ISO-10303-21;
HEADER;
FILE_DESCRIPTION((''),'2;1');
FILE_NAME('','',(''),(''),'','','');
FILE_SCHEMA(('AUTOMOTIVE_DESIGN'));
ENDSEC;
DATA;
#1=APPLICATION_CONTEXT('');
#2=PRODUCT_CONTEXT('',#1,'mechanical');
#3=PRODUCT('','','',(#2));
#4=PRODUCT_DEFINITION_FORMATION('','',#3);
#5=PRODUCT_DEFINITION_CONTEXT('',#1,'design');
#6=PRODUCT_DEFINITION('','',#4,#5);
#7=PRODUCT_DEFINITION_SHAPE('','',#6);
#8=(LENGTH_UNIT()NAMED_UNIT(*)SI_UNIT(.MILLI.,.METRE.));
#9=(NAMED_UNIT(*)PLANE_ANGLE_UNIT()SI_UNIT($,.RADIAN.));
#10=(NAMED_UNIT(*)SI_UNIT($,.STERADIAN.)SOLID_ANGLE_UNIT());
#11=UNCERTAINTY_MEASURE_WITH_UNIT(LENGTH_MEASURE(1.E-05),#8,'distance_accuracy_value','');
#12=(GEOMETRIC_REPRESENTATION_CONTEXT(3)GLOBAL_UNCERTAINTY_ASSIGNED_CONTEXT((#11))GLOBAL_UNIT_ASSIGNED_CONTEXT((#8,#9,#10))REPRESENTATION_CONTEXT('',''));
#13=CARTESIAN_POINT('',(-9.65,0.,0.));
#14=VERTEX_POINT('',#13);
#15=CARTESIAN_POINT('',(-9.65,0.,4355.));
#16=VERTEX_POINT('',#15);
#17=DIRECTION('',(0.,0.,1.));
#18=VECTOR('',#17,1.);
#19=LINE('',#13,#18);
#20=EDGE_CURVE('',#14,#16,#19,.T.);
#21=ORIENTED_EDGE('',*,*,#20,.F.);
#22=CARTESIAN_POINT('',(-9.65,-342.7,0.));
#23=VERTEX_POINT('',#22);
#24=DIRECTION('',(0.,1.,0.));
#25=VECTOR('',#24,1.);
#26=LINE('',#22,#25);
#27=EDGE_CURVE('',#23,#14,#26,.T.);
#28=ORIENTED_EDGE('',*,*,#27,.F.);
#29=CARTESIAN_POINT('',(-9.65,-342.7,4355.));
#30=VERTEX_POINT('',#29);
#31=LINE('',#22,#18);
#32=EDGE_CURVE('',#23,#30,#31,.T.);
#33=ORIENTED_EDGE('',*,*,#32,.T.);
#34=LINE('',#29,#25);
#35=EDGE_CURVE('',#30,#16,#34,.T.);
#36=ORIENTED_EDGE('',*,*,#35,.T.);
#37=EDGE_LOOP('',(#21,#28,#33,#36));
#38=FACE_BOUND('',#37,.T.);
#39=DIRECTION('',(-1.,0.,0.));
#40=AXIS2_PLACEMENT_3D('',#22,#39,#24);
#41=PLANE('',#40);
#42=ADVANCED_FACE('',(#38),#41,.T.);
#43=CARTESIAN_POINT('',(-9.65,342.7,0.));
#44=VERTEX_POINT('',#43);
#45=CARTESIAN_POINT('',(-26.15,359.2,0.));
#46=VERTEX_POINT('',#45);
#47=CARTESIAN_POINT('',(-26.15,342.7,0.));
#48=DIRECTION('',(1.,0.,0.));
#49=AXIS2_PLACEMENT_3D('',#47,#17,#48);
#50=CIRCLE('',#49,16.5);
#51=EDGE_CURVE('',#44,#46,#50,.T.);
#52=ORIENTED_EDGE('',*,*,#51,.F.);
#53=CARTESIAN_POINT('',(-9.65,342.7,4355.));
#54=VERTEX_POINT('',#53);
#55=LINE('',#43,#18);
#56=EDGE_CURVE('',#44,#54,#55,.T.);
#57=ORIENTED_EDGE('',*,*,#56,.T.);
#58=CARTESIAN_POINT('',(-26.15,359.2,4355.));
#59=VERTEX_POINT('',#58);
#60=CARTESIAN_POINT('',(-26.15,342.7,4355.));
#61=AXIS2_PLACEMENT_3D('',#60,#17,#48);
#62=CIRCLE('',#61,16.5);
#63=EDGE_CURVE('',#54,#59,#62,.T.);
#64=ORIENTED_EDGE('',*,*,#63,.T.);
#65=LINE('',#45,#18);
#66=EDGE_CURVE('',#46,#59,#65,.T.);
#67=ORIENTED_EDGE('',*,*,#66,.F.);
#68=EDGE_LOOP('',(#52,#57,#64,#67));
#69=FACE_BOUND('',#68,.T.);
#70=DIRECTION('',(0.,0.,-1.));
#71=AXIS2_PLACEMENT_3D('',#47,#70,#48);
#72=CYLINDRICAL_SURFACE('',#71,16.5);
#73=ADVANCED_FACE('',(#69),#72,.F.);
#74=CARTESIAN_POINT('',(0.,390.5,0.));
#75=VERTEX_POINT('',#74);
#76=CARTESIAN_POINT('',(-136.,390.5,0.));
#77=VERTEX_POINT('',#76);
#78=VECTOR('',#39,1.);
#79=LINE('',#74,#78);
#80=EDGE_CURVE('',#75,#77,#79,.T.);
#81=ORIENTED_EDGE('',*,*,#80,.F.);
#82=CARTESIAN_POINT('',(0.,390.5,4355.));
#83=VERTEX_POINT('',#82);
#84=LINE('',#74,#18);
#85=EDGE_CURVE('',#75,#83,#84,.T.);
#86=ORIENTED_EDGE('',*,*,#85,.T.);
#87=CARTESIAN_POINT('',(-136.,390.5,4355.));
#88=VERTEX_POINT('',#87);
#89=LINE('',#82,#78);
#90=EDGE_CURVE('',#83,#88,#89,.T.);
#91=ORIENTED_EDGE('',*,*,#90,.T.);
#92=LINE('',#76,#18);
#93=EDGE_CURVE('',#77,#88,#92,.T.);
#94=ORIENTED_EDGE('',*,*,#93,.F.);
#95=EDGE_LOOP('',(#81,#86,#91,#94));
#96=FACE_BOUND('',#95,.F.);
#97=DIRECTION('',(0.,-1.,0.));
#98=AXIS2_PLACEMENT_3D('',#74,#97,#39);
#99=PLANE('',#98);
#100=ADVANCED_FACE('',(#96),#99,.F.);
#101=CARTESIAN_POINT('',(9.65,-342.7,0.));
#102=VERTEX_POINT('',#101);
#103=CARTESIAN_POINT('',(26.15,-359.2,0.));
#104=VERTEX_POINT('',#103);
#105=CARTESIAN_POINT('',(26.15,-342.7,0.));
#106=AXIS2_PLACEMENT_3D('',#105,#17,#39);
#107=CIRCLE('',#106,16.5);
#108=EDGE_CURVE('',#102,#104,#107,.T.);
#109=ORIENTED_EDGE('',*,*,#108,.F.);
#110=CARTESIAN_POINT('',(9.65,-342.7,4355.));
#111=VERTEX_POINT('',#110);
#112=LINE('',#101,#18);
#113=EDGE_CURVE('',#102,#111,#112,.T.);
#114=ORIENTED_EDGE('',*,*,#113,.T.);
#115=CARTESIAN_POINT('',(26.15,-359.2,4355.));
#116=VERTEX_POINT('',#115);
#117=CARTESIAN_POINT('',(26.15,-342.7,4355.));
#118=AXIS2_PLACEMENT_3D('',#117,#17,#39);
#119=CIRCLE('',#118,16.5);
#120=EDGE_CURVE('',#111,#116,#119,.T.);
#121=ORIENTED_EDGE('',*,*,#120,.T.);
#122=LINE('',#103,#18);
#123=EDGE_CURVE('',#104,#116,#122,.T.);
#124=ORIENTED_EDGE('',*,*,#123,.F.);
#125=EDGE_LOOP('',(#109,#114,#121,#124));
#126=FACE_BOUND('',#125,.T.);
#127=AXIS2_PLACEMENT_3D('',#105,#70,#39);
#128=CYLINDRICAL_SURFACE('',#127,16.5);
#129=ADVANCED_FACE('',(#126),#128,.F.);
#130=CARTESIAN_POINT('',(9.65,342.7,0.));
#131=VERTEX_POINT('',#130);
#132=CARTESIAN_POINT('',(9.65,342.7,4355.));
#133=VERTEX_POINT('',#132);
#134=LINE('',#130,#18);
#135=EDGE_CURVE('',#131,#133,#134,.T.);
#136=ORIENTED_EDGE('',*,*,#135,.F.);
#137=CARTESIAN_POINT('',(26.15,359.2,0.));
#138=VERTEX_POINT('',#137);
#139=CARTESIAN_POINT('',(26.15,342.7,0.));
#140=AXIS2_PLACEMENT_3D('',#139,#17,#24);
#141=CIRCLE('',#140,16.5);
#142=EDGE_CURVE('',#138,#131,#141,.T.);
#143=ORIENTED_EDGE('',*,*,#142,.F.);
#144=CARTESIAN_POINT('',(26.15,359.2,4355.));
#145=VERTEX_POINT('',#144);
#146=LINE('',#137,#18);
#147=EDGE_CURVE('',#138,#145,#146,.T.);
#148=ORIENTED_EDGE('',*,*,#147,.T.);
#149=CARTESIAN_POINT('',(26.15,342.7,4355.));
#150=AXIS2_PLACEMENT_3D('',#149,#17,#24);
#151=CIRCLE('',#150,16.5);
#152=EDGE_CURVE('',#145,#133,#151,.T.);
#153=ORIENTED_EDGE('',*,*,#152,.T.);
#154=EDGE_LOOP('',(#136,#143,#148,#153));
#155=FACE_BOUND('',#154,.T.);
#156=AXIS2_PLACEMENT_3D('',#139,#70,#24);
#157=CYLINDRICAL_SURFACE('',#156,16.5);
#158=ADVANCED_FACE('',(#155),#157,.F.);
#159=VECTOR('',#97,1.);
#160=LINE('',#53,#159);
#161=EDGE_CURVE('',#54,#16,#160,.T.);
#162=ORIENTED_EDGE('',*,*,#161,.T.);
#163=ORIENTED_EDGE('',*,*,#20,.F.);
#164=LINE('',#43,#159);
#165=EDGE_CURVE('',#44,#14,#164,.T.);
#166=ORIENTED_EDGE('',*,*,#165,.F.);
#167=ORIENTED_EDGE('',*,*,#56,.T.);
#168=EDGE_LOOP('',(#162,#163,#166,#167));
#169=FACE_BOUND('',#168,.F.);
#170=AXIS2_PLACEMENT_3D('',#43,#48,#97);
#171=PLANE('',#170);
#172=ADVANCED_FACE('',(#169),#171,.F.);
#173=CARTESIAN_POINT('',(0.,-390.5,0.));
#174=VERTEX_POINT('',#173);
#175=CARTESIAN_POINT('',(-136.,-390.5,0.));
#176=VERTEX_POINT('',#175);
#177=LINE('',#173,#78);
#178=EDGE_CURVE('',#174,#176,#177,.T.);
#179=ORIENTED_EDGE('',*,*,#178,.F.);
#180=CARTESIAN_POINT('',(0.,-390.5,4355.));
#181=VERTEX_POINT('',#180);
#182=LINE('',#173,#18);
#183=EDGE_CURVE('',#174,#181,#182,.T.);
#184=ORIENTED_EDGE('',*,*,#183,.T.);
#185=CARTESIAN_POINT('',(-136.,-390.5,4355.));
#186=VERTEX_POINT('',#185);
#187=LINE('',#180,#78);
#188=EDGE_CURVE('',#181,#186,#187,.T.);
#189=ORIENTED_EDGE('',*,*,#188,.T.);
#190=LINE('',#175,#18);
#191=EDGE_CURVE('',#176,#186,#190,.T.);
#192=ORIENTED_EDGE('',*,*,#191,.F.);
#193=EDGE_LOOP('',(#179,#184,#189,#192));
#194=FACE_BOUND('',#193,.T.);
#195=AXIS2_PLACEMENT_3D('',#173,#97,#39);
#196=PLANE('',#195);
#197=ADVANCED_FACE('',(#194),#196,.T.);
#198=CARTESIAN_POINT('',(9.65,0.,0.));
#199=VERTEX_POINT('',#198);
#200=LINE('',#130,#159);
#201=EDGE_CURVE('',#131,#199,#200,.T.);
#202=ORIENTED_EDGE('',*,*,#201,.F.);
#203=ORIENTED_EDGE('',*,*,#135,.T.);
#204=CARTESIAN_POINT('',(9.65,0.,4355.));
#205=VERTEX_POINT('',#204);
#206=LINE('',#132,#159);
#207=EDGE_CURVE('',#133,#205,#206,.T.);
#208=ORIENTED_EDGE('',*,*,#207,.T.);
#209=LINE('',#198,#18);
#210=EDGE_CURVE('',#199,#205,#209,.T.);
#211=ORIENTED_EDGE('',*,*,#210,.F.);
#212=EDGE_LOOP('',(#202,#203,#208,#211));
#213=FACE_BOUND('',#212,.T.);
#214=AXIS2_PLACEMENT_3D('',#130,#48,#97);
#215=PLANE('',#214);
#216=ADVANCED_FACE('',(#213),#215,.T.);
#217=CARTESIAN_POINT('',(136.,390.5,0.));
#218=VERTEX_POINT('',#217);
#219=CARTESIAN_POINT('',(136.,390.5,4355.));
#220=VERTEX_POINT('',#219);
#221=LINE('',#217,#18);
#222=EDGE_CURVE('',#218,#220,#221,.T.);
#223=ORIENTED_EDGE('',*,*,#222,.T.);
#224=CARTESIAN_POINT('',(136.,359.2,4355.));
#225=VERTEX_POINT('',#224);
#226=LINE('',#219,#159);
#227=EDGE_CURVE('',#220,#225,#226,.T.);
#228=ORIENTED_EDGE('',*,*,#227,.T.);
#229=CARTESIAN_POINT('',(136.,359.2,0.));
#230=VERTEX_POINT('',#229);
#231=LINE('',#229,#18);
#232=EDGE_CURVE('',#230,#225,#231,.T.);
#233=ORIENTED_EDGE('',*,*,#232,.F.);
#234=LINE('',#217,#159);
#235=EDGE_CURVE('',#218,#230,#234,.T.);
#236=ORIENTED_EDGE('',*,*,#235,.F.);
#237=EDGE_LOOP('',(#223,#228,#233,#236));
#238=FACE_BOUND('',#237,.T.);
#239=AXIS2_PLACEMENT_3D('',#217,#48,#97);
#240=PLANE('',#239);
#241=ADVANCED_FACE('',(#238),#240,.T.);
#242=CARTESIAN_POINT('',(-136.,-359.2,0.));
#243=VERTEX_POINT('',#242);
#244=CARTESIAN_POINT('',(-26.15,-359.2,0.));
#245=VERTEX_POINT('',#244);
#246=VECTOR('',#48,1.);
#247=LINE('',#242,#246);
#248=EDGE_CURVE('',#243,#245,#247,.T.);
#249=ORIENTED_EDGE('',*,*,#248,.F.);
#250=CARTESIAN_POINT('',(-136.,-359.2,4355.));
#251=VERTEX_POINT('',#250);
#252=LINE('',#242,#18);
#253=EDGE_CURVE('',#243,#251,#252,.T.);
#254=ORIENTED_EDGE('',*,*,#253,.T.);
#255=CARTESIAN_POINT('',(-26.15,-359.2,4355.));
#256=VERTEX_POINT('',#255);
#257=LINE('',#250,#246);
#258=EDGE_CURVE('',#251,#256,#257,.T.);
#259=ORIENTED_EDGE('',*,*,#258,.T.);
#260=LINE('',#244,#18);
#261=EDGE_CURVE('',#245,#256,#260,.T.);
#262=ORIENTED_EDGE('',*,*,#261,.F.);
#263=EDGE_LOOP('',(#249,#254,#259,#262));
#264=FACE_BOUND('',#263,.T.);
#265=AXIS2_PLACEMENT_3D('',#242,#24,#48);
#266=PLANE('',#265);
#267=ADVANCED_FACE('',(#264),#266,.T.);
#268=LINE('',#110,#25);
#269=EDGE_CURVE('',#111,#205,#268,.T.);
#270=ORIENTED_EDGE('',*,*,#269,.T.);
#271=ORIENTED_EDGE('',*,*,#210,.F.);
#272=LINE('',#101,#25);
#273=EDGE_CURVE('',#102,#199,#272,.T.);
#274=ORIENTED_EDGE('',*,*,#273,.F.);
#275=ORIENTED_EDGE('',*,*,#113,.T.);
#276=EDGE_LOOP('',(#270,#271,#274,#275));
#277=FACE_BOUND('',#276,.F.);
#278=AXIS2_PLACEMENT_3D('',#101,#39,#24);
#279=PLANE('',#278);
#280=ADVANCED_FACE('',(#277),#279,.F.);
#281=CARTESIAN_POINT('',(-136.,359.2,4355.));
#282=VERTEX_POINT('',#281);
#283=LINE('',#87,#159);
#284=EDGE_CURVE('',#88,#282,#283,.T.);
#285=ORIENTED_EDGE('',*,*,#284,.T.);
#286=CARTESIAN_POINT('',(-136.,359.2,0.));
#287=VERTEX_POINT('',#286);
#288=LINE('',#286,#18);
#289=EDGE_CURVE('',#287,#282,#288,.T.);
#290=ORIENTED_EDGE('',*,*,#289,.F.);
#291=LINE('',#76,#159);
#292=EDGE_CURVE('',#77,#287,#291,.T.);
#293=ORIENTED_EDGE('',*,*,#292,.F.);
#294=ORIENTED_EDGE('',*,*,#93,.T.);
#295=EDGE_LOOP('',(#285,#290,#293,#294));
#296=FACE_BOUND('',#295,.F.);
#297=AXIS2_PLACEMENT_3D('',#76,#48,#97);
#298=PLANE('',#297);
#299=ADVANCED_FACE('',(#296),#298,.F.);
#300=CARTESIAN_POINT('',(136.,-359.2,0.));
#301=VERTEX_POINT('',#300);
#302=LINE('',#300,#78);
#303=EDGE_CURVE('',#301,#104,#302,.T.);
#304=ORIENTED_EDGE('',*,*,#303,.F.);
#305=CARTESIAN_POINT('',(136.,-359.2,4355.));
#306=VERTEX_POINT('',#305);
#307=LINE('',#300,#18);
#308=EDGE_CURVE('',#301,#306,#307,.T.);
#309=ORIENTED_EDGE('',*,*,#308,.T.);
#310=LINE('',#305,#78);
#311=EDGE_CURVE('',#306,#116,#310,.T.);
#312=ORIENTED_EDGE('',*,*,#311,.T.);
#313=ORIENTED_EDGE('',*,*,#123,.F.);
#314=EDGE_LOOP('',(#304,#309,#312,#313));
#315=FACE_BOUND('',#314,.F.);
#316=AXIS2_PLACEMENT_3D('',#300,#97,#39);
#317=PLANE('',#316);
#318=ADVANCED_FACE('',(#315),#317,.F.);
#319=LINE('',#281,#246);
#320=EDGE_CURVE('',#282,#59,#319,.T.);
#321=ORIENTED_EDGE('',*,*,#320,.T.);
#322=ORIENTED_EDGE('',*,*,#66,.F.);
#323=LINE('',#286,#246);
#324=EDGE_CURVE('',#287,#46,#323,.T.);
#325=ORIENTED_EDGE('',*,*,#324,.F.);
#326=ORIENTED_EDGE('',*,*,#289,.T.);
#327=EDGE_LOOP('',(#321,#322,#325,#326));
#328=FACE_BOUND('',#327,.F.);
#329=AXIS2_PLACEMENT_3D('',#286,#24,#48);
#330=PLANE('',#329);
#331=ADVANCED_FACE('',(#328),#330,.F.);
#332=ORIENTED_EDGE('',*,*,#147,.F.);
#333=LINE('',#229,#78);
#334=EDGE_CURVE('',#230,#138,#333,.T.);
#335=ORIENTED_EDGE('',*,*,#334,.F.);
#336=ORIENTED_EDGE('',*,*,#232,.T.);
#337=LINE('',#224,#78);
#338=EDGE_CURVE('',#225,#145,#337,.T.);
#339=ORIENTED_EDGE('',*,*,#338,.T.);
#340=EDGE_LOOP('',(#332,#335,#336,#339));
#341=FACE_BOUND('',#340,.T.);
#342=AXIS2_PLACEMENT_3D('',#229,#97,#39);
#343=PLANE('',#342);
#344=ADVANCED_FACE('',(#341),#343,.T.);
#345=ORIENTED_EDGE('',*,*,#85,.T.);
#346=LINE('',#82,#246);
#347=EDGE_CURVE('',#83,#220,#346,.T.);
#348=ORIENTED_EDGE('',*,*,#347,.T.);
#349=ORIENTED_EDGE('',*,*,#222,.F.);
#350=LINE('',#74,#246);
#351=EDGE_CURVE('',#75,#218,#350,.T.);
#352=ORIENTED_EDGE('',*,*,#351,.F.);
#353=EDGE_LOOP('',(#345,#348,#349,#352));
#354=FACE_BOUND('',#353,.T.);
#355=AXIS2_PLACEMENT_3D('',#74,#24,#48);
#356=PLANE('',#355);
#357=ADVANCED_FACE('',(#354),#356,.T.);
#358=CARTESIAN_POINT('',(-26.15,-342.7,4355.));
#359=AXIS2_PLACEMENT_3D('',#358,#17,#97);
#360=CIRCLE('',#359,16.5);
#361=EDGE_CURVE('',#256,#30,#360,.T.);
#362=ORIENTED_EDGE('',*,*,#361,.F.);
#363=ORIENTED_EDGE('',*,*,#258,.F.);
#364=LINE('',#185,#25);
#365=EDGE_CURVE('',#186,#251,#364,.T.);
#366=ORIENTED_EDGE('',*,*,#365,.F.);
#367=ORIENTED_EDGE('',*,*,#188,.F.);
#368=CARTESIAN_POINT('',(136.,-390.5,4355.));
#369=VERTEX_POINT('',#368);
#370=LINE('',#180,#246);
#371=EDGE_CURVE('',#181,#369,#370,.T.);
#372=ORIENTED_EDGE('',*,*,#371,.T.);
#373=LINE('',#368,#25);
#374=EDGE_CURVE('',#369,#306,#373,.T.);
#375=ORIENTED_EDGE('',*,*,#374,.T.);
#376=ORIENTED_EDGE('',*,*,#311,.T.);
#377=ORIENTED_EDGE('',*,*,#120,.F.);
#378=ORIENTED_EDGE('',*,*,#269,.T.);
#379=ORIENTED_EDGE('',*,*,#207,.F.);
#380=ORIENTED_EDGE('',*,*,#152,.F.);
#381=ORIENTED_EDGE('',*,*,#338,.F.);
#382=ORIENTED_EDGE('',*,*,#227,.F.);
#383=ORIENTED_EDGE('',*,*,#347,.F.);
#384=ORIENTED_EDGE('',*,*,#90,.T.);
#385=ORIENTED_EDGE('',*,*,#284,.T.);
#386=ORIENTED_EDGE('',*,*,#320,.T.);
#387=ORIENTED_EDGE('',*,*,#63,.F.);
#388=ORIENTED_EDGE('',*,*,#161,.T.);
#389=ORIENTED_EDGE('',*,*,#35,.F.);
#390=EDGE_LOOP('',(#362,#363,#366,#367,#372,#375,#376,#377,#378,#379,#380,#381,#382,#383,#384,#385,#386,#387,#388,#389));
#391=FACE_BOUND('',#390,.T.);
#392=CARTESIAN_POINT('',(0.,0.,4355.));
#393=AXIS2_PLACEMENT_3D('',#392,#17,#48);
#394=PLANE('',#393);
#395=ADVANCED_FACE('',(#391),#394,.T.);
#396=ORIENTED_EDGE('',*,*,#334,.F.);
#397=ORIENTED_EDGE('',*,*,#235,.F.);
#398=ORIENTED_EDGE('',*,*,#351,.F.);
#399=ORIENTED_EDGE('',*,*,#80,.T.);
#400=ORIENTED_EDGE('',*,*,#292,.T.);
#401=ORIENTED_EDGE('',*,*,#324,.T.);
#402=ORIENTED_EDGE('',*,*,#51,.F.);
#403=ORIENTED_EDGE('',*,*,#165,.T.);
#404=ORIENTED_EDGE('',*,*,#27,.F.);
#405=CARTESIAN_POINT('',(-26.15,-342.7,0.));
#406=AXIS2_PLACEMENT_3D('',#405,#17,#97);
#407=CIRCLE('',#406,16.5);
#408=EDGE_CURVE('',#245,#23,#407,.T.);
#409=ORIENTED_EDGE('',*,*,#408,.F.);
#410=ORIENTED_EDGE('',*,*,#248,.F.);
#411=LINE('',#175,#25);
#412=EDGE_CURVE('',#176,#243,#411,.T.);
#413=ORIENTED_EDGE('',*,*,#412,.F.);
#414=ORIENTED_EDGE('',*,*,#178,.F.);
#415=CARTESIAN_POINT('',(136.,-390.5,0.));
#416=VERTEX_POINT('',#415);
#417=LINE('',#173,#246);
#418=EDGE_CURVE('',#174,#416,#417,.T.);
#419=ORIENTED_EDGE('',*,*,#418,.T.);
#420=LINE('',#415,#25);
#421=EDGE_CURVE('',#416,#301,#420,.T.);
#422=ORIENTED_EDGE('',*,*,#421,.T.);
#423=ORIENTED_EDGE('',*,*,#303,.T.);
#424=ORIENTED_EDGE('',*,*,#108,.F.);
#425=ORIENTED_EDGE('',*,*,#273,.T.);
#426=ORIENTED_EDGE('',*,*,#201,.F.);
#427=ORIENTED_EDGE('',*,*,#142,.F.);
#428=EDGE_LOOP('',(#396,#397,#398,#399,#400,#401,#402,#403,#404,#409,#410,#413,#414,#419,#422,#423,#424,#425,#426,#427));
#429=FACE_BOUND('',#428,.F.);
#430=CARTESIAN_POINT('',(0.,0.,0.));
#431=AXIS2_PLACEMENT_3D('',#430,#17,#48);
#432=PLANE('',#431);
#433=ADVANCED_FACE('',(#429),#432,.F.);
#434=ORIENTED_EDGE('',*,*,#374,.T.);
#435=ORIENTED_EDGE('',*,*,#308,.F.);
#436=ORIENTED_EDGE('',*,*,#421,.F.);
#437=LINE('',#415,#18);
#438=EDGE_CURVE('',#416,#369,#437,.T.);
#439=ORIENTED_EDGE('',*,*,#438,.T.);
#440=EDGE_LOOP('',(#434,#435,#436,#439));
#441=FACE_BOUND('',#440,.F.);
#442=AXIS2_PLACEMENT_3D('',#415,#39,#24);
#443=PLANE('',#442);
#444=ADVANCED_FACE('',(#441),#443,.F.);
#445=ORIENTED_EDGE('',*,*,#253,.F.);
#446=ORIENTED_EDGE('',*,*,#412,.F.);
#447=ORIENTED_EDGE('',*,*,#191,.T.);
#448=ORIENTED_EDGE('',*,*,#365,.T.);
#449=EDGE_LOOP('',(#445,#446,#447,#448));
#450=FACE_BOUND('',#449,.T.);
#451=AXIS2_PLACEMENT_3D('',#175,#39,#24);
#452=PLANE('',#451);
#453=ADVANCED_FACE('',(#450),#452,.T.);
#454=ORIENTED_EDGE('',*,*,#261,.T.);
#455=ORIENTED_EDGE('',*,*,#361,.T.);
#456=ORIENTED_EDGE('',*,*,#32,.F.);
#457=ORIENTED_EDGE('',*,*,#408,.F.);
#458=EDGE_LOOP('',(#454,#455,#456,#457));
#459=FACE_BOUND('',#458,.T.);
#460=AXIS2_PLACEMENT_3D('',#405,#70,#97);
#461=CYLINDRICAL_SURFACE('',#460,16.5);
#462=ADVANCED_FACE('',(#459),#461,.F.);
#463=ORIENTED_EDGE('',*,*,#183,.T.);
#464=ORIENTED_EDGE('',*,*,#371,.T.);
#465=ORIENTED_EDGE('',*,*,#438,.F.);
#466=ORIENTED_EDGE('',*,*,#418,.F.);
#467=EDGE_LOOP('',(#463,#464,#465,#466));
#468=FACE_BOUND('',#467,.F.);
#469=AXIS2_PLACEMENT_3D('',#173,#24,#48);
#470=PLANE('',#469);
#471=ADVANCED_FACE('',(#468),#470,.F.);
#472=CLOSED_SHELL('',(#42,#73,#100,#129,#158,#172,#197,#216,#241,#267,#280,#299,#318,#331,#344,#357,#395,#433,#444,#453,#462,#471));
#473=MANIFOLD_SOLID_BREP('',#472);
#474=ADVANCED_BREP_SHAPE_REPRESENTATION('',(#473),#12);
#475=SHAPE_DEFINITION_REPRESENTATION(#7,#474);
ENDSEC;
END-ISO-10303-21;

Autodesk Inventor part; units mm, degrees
ref_plane "YZ Plane" through (0, 0, 0) normal (1, 0, 0) x (0, 1, 0)
ref_plane "Start plane" through (0, 0, 0) normal (0, 0, 1) x (1, 0, 0)
ref_plane "End plane" through (0, 0, 4355) normal (0, 0, 1) x (1, 0, 0)
sketch "Sketch" plane through (0, 0, 0) normal (0, 0, 1) x (1, 0, 0)
  line L0 (-136, -390.5) -> (-136, -359.2)
  line L1 (-136, -359.2) -> (-26.15, -359.2)
  line L2 (-9.65, -342.7) -> (-9.65, 0)
  line L3 (-9.65, 0) -> (0, 0) construction
  line L4 (0, 0) -> (0, -390.5) construction
  line L5 (0, -390.5) -> (-136, -390.5)
  line L6 (-60, 0) -> (80, 0) construction
  line L7 (0, -60) -> (0, 80) construction
  line L8 (136, -390.5) -> (136, -359.2)
  line L9 (136, -359.2) -> (26.15, -359.2)
  line L10 (9.65, -342.7) -> (9.65, 0)
  line L11 (9.65, 0) -> (0, 0) construction
  line L12 (0, -390.5) -> (136, -390.5)
  line L13 (-136, 390.5) -> (-136, 359.2)
  line L14 (-136, 359.2) -> (-26.15, 359.2)
  line L15 (-9.65, 342.7) -> (-9.65, 0)
  line L16 (0, 390.5) -> (-136, 390.5)
  line L17 (136, 390.5) -> (136, 359.2)
  line L18 (136, 359.2) -> (26.15, 359.2)
  line L19 (0, 390.5) -> (136, 390.5)
  line L20 (9.65, 342.7) -> (9.65, 0)
  arc A0 (-9.65, 342.7) -> (-26.15, 359.2) centre (-26.15, 342.7) ccw
  arc A1 (26.15, 359.2) -> (9.65, 342.7) centre (26.15, 342.7) ccw
  arc A2 (9.65, -342.7) -> (26.15, -359.2) centre (26.15, -342.7) ccw
  arc A3 (-26.15, -359.2) -> (-9.65, -342.7) centre (-26.15, -342.7) ccw
  line L21 (0, 108) -> (0, -88) construction
  line L22 (-88, 0) -> (108, 0) construction
  point P0 (-9.65, -359.2)
  point P1 (9.65, -359.2)
  point P2 (-9.65, 359.2)
  point P3 (9.65, 359.2)
  dimension "d1" = 390.5
  dimension "d2" = 31.3
  dimension "d3" = 136
  dimension "d4" = 9.65
  dimension "d10" = 16.5
extrude "Body" add sketch "Sketch" along normal up to surface (4355 mm away) from surface at 0
sketch "Sketch4" plane through (0, 0, 0) normal (0, 0, 1) x (1, 0, 0)
  line L0 (0, 0) -> (10, 0)
ref_plane "Work Plane3" through (0, 0, 0) normal (0, -1, 0) x (1, 0, 0)
sketch "Sketch5" plane through (0, 0, 0) normal (0, -1, 0) x (1, 0, 0)
  line L0 (-2, 0) -> (12, 0) projected
  line L1 (-2, 4355) -> (12, 4355) projected
  dimension "d14" = 4355
equation "\"d1\" = 0.5 * G_H"
equation "\"d2\" = G_T1"
equation "\"d3\" = 0.5 * G_W"
equation "\"d4\" = 0.5 * G_T"
equation "\"d10\" = G_IR"
equation "\"d5\" = G_L"
equation "\"G_W\" = 272"
equation "\"G_H\" = 781"
equation "\"G_T\" = 19.3"
equation "\"G_T1\" = 31.3"
equation "\"G_IR\" = 16.5"
equation "\"G_L\" = d14"
equation "\"G_OFFSET_START\" = 0"
equation "\"G_OFFSET_END\" = 0"
equation "\"d12\" = G_OFFSET_END + B_L"
equation "\"B_L\" = 4355"
properties part number "AS 3679-1990 - 760 UB - 244 - 4355" material "Steel, Mild"
